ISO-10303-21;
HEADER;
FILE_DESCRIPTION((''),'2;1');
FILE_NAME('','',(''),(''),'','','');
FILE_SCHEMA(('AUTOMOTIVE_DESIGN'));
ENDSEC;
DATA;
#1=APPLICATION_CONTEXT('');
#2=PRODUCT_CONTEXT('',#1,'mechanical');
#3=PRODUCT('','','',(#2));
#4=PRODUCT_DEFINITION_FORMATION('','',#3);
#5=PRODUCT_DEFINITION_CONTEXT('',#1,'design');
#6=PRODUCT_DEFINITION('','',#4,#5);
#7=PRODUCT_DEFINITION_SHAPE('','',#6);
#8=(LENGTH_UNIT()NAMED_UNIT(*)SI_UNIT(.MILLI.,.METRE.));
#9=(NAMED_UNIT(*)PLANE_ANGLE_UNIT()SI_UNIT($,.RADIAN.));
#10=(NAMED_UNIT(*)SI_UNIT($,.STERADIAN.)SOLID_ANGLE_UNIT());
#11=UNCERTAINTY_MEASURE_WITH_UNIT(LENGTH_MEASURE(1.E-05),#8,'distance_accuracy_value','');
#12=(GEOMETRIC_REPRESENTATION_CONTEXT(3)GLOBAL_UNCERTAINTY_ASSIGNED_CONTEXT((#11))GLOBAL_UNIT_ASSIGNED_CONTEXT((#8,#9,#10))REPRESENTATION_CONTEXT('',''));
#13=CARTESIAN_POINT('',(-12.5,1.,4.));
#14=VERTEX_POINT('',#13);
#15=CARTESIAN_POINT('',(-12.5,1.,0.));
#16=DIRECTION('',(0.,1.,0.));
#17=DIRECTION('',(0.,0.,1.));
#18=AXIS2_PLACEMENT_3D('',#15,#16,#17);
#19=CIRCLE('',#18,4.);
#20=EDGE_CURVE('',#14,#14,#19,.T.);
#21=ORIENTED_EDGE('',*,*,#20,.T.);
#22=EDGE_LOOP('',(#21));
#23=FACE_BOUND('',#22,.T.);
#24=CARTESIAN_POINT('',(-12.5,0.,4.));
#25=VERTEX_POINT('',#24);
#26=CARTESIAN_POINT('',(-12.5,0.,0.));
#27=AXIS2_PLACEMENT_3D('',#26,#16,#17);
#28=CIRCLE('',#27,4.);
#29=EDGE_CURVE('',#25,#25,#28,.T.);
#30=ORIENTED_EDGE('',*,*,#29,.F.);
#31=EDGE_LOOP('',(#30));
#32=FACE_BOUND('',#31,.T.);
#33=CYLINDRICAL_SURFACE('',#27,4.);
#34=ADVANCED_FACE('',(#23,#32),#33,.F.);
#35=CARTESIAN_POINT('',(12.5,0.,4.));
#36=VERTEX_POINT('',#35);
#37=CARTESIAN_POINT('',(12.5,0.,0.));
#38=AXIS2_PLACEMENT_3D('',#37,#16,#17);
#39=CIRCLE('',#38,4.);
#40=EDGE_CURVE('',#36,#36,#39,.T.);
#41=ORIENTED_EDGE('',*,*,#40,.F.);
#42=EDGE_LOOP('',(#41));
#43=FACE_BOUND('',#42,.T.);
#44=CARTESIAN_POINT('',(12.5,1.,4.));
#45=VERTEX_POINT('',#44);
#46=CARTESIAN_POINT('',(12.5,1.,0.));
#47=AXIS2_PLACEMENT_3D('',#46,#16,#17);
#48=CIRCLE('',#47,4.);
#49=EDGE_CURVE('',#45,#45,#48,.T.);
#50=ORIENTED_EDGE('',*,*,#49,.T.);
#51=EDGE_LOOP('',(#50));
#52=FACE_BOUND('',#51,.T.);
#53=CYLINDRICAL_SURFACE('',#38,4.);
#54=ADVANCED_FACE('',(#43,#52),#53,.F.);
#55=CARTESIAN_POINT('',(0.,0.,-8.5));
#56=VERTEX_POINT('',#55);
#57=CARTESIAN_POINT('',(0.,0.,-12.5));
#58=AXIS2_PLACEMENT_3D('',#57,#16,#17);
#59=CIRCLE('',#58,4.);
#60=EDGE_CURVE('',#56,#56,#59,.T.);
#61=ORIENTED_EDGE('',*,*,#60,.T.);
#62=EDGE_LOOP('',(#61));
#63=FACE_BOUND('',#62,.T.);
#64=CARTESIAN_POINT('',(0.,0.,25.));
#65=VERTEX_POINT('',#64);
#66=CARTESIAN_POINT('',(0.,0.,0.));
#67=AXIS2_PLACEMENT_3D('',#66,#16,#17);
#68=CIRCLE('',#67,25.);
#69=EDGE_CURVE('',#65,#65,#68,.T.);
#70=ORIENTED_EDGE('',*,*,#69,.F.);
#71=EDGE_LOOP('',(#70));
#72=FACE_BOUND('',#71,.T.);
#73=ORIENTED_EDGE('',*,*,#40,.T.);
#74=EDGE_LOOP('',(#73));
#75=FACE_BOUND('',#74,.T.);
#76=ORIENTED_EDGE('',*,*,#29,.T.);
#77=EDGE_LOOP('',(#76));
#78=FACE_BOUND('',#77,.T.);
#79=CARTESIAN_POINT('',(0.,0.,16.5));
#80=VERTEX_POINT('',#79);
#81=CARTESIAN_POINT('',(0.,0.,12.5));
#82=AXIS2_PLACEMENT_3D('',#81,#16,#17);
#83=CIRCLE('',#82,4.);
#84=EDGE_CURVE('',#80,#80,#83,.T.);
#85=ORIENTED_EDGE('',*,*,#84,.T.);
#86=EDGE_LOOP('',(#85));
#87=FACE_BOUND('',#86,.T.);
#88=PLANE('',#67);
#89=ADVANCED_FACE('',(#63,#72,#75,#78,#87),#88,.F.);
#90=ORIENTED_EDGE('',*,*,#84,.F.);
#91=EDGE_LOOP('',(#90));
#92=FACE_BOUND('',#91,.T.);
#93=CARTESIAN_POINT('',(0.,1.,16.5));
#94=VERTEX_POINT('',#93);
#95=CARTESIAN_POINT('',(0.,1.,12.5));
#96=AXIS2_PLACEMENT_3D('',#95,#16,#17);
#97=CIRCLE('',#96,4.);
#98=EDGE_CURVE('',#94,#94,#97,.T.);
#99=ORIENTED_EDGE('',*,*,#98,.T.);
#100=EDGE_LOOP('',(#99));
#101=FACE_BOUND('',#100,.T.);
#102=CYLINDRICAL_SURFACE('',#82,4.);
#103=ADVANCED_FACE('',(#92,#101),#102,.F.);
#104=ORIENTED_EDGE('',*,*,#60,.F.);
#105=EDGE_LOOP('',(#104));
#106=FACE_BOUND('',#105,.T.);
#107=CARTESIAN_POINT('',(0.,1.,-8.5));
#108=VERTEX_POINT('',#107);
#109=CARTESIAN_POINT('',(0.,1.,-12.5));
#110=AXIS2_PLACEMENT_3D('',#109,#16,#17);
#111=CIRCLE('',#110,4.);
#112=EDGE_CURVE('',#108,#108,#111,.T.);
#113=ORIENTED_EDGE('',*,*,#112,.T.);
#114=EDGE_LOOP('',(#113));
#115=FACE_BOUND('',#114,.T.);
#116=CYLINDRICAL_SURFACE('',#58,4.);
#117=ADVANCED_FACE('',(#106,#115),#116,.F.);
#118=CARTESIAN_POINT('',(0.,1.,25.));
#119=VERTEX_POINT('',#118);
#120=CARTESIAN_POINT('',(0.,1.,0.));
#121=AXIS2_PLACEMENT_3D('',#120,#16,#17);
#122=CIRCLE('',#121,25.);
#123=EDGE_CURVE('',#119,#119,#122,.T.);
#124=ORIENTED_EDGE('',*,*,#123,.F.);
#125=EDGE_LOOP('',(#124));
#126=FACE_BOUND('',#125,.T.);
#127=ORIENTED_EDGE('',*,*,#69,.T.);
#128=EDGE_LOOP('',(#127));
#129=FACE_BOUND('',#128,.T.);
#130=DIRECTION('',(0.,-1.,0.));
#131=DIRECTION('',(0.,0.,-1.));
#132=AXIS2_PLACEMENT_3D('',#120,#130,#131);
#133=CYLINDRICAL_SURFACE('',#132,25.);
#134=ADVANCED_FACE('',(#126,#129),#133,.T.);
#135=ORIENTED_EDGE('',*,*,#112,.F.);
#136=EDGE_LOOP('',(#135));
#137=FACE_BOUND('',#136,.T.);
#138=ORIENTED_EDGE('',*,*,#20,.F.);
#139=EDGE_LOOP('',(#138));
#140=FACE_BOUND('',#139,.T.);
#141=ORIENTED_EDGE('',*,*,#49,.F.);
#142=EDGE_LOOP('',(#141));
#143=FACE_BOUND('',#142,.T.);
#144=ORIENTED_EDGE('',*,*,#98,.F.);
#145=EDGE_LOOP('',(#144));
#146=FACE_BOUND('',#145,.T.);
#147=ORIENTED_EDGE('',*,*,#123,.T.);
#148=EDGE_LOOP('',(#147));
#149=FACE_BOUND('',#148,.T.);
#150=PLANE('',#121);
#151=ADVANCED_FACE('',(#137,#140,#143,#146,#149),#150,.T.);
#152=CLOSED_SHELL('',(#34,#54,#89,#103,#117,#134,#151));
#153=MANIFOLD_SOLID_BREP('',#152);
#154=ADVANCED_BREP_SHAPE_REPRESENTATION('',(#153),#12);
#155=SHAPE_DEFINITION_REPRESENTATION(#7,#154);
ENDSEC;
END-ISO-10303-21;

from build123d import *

# Parameters (mm, degrees)
SKETCH1_R           = 25
BOSS_EXTRUDE1_DEPTH = 1
SKETCH2_R           = 4
CUT_EXTRUDE1_DEPTH  = 1


with BuildPart() as part:
    # Sketch1 → Boss-Extrude1 (new body)
    with BuildSketch(Plane(origin=(0, 0, 0), x_dir=(1, 0, 0), z_dir=(0, 1, 0))):
        Circle(SKETCH1_R)
    extrude(amount=BOSS_EXTRUDE1_DEPTH)

    # Sketch2 → Cut-Extrude1 (cut)
    with BuildSketch(Plane(origin=(0, 1, 0), x_dir=(1, 0, 0), z_dir=(0, 1, 0))):
        with Locations((0, 12.5)):
            Circle(SKETCH2_R)
        with Locations((12.5, 0)):
            Circle(SKETCH2_R)
        with Locations((-12.5, 0)):
            Circle(SKETCH2_R)
        with Locations((0, -12.5)):
            Circle(SKETCH2_R)
    extrude(amount=-CUT_EXTRUDE1_DEPTH, mode=Mode.SUBTRACT)


solid = part.part
